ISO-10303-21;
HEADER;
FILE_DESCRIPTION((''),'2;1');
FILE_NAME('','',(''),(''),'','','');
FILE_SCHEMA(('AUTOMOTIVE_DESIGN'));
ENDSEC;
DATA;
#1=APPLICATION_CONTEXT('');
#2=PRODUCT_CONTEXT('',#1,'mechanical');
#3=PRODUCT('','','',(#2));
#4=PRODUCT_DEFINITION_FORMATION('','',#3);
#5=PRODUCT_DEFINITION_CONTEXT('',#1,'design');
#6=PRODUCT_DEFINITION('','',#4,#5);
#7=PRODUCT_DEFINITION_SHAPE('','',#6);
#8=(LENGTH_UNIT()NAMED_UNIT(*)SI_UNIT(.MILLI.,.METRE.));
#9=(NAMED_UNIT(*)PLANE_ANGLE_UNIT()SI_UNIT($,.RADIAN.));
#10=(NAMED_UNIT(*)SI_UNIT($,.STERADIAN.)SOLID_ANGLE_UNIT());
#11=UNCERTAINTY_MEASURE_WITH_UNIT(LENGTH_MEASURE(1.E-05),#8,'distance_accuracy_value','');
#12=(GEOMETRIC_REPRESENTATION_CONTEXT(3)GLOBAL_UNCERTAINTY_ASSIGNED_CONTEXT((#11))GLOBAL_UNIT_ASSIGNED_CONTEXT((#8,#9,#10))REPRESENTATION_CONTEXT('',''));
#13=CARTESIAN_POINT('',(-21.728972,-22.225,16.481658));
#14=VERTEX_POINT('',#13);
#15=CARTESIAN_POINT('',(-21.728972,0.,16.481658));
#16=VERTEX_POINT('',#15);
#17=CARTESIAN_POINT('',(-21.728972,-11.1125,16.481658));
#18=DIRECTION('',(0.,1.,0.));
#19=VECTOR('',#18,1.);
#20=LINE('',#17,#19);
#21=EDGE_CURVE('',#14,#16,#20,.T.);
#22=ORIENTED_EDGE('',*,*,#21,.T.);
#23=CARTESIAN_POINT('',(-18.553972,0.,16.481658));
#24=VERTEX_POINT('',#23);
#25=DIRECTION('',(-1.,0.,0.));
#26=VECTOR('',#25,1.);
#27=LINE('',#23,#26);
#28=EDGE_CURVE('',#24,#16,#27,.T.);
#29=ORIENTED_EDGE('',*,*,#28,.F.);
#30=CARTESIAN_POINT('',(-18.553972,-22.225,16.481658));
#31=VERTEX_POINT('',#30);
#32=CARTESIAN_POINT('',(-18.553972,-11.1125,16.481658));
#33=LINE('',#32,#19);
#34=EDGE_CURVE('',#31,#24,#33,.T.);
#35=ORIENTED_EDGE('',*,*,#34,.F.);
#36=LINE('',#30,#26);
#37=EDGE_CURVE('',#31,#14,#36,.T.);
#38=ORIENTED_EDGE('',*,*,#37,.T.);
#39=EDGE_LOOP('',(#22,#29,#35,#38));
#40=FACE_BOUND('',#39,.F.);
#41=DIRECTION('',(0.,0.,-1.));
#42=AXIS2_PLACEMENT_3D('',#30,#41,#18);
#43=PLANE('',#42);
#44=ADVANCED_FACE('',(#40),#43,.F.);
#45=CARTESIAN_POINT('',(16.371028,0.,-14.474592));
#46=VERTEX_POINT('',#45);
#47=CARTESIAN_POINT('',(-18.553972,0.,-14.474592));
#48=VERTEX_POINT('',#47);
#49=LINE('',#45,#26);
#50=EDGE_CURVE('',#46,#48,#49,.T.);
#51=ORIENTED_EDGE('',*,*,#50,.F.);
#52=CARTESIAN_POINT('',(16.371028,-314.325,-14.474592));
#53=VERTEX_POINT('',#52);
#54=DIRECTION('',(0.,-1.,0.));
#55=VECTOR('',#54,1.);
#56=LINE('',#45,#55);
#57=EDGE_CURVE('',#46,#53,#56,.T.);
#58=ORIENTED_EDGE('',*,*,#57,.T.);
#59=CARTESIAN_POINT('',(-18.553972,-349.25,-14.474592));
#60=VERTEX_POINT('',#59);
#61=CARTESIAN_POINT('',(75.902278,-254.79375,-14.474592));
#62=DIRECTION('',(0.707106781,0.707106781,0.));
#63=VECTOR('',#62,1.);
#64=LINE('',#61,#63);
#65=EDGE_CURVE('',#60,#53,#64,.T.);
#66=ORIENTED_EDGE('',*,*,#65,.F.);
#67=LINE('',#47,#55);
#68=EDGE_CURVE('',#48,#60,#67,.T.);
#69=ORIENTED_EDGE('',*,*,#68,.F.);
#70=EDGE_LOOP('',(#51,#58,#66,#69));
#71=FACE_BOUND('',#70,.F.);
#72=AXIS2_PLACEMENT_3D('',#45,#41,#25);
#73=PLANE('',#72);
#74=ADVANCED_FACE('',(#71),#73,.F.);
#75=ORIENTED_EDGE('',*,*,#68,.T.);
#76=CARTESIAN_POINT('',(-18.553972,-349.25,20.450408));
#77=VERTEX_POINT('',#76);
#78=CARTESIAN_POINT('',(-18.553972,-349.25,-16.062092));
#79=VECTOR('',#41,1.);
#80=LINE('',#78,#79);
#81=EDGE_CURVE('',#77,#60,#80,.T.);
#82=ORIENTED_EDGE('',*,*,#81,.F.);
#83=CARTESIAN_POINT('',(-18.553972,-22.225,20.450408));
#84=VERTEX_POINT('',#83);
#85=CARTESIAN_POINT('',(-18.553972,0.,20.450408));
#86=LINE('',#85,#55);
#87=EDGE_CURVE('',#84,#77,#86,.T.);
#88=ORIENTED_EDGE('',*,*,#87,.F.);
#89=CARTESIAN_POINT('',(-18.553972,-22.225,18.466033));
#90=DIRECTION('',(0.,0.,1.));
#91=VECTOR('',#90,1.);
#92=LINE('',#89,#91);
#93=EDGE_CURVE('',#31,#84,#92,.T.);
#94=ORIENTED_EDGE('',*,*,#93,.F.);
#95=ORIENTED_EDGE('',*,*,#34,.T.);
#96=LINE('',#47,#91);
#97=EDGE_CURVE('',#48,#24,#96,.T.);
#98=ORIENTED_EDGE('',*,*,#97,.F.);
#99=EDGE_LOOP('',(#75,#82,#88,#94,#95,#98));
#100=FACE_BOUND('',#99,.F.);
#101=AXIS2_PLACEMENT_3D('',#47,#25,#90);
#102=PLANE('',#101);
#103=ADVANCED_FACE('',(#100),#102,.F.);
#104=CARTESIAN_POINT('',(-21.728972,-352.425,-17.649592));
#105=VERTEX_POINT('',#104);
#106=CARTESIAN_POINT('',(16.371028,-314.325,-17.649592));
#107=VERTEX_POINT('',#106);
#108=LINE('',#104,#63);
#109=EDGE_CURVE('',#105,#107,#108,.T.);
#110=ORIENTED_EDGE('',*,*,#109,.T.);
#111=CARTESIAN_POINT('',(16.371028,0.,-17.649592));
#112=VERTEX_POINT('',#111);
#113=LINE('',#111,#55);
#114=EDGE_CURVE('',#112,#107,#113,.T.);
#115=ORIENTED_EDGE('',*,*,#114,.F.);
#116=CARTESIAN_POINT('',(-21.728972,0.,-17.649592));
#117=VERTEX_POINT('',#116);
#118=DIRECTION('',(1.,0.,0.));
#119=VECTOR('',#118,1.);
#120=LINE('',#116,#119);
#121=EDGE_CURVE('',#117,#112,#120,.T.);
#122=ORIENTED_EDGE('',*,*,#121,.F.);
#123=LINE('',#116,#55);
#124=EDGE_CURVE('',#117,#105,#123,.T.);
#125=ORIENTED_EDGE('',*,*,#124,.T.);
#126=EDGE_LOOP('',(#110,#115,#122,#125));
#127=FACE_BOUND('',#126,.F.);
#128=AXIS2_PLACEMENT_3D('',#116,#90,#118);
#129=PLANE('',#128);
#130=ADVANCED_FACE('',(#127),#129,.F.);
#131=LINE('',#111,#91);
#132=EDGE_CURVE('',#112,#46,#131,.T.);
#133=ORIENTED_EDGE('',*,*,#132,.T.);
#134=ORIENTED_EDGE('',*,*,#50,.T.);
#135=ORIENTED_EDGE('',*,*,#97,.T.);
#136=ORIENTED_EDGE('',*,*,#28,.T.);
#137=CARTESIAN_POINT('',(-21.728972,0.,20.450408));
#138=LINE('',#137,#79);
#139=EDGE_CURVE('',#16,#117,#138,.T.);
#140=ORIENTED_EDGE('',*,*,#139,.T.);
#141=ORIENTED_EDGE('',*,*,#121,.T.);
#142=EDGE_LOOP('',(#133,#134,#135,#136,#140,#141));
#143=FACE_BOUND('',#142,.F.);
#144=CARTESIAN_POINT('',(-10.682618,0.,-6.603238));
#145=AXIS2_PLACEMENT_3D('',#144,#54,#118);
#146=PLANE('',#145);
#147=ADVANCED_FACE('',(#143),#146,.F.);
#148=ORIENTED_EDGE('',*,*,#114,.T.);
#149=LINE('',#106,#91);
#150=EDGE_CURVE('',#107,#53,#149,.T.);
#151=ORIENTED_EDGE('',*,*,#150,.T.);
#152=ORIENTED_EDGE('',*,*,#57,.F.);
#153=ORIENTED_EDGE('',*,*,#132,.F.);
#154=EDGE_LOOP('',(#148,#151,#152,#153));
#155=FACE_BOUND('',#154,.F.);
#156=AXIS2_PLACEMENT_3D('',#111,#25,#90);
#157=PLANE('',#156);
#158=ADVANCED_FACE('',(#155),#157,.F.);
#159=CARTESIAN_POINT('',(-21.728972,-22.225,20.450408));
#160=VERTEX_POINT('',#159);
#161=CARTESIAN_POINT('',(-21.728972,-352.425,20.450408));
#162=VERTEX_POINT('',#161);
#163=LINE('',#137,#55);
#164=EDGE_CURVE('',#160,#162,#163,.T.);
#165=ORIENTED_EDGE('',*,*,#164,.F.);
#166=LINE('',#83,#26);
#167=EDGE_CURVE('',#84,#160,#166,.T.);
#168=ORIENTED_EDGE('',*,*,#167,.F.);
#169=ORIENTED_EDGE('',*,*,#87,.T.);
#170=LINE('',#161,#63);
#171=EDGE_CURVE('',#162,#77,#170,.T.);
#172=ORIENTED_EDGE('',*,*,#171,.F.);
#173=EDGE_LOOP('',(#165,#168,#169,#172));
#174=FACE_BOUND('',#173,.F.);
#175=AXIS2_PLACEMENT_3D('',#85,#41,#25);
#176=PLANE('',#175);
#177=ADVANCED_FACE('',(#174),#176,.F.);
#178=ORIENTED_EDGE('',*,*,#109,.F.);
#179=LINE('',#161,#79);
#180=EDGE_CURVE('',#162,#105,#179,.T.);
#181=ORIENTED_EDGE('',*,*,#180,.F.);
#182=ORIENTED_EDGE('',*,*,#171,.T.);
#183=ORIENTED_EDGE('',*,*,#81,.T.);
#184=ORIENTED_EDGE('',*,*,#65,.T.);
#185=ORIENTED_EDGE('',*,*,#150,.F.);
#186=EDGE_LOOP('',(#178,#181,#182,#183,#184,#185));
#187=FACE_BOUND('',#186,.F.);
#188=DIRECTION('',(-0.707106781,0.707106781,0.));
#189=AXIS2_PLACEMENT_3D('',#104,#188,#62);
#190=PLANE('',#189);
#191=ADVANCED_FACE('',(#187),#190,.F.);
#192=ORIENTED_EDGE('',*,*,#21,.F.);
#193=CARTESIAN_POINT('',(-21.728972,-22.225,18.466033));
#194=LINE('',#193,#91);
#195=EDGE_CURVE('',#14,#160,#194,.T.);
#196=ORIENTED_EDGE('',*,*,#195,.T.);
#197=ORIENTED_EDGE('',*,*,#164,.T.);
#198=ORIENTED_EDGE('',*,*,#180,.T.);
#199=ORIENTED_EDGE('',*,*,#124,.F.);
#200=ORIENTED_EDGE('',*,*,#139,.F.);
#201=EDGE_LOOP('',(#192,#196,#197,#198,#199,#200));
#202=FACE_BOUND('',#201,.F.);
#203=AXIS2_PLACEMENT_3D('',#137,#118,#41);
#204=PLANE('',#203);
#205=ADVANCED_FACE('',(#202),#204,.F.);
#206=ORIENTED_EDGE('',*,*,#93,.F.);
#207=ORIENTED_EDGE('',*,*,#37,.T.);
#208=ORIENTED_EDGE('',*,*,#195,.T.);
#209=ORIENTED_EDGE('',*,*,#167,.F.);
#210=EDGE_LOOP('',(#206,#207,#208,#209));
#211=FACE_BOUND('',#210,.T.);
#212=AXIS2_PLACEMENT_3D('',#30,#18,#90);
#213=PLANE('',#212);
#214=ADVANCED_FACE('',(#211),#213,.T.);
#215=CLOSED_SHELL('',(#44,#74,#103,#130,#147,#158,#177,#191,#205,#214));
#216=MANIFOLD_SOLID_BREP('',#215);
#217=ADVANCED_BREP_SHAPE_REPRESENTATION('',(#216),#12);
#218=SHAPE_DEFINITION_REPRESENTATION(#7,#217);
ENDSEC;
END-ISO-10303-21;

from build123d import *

# Parameters (mm, degrees)
F1_DEPTH = 352.425
F2_W     = 22.225
F2_H     = 3.96875
F3_DEPTH = 25.4
F5_DEPTH = 38.1


with BuildPart() as f1:
    # F0 (on Front) → F1 (new body)
    with BuildSketch(Plane.XZ):
        Polygon((-18.553972, 20.450408), (-21.728972, 20.450408), (-21.728972, -17.649592), (16.371028, -17.649592), (16.371028, -14.474592), (-18.553972, -14.474592), align=None)
    extrude(amount=F1_DEPTH)

    # F2 (on face) → F3 (cut)
    with BuildSketch(Plane.YZ.offset(-18.553972)):
        with Locations((-11.1125, 18.466033)):
            Rectangle(F2_W, F2_H)
    extrude(amount=-F3_DEPTH, mode=Mode.SUBTRACT)

    # F4 (on face) → F5 (cut)
    with BuildSketch(Plane(origin=(0, 0, -17.649592), x_dir=(1, 0, 0), z_dir=(0, 0, -1))):
        Polygon((16.371028, 352.425), (-21.728972, 352.425), (16.371028, 314.325), align=None)
    extrude(amount=-F5_DEPTH, mode=Mode.SUBTRACT)


solid = f1.part
